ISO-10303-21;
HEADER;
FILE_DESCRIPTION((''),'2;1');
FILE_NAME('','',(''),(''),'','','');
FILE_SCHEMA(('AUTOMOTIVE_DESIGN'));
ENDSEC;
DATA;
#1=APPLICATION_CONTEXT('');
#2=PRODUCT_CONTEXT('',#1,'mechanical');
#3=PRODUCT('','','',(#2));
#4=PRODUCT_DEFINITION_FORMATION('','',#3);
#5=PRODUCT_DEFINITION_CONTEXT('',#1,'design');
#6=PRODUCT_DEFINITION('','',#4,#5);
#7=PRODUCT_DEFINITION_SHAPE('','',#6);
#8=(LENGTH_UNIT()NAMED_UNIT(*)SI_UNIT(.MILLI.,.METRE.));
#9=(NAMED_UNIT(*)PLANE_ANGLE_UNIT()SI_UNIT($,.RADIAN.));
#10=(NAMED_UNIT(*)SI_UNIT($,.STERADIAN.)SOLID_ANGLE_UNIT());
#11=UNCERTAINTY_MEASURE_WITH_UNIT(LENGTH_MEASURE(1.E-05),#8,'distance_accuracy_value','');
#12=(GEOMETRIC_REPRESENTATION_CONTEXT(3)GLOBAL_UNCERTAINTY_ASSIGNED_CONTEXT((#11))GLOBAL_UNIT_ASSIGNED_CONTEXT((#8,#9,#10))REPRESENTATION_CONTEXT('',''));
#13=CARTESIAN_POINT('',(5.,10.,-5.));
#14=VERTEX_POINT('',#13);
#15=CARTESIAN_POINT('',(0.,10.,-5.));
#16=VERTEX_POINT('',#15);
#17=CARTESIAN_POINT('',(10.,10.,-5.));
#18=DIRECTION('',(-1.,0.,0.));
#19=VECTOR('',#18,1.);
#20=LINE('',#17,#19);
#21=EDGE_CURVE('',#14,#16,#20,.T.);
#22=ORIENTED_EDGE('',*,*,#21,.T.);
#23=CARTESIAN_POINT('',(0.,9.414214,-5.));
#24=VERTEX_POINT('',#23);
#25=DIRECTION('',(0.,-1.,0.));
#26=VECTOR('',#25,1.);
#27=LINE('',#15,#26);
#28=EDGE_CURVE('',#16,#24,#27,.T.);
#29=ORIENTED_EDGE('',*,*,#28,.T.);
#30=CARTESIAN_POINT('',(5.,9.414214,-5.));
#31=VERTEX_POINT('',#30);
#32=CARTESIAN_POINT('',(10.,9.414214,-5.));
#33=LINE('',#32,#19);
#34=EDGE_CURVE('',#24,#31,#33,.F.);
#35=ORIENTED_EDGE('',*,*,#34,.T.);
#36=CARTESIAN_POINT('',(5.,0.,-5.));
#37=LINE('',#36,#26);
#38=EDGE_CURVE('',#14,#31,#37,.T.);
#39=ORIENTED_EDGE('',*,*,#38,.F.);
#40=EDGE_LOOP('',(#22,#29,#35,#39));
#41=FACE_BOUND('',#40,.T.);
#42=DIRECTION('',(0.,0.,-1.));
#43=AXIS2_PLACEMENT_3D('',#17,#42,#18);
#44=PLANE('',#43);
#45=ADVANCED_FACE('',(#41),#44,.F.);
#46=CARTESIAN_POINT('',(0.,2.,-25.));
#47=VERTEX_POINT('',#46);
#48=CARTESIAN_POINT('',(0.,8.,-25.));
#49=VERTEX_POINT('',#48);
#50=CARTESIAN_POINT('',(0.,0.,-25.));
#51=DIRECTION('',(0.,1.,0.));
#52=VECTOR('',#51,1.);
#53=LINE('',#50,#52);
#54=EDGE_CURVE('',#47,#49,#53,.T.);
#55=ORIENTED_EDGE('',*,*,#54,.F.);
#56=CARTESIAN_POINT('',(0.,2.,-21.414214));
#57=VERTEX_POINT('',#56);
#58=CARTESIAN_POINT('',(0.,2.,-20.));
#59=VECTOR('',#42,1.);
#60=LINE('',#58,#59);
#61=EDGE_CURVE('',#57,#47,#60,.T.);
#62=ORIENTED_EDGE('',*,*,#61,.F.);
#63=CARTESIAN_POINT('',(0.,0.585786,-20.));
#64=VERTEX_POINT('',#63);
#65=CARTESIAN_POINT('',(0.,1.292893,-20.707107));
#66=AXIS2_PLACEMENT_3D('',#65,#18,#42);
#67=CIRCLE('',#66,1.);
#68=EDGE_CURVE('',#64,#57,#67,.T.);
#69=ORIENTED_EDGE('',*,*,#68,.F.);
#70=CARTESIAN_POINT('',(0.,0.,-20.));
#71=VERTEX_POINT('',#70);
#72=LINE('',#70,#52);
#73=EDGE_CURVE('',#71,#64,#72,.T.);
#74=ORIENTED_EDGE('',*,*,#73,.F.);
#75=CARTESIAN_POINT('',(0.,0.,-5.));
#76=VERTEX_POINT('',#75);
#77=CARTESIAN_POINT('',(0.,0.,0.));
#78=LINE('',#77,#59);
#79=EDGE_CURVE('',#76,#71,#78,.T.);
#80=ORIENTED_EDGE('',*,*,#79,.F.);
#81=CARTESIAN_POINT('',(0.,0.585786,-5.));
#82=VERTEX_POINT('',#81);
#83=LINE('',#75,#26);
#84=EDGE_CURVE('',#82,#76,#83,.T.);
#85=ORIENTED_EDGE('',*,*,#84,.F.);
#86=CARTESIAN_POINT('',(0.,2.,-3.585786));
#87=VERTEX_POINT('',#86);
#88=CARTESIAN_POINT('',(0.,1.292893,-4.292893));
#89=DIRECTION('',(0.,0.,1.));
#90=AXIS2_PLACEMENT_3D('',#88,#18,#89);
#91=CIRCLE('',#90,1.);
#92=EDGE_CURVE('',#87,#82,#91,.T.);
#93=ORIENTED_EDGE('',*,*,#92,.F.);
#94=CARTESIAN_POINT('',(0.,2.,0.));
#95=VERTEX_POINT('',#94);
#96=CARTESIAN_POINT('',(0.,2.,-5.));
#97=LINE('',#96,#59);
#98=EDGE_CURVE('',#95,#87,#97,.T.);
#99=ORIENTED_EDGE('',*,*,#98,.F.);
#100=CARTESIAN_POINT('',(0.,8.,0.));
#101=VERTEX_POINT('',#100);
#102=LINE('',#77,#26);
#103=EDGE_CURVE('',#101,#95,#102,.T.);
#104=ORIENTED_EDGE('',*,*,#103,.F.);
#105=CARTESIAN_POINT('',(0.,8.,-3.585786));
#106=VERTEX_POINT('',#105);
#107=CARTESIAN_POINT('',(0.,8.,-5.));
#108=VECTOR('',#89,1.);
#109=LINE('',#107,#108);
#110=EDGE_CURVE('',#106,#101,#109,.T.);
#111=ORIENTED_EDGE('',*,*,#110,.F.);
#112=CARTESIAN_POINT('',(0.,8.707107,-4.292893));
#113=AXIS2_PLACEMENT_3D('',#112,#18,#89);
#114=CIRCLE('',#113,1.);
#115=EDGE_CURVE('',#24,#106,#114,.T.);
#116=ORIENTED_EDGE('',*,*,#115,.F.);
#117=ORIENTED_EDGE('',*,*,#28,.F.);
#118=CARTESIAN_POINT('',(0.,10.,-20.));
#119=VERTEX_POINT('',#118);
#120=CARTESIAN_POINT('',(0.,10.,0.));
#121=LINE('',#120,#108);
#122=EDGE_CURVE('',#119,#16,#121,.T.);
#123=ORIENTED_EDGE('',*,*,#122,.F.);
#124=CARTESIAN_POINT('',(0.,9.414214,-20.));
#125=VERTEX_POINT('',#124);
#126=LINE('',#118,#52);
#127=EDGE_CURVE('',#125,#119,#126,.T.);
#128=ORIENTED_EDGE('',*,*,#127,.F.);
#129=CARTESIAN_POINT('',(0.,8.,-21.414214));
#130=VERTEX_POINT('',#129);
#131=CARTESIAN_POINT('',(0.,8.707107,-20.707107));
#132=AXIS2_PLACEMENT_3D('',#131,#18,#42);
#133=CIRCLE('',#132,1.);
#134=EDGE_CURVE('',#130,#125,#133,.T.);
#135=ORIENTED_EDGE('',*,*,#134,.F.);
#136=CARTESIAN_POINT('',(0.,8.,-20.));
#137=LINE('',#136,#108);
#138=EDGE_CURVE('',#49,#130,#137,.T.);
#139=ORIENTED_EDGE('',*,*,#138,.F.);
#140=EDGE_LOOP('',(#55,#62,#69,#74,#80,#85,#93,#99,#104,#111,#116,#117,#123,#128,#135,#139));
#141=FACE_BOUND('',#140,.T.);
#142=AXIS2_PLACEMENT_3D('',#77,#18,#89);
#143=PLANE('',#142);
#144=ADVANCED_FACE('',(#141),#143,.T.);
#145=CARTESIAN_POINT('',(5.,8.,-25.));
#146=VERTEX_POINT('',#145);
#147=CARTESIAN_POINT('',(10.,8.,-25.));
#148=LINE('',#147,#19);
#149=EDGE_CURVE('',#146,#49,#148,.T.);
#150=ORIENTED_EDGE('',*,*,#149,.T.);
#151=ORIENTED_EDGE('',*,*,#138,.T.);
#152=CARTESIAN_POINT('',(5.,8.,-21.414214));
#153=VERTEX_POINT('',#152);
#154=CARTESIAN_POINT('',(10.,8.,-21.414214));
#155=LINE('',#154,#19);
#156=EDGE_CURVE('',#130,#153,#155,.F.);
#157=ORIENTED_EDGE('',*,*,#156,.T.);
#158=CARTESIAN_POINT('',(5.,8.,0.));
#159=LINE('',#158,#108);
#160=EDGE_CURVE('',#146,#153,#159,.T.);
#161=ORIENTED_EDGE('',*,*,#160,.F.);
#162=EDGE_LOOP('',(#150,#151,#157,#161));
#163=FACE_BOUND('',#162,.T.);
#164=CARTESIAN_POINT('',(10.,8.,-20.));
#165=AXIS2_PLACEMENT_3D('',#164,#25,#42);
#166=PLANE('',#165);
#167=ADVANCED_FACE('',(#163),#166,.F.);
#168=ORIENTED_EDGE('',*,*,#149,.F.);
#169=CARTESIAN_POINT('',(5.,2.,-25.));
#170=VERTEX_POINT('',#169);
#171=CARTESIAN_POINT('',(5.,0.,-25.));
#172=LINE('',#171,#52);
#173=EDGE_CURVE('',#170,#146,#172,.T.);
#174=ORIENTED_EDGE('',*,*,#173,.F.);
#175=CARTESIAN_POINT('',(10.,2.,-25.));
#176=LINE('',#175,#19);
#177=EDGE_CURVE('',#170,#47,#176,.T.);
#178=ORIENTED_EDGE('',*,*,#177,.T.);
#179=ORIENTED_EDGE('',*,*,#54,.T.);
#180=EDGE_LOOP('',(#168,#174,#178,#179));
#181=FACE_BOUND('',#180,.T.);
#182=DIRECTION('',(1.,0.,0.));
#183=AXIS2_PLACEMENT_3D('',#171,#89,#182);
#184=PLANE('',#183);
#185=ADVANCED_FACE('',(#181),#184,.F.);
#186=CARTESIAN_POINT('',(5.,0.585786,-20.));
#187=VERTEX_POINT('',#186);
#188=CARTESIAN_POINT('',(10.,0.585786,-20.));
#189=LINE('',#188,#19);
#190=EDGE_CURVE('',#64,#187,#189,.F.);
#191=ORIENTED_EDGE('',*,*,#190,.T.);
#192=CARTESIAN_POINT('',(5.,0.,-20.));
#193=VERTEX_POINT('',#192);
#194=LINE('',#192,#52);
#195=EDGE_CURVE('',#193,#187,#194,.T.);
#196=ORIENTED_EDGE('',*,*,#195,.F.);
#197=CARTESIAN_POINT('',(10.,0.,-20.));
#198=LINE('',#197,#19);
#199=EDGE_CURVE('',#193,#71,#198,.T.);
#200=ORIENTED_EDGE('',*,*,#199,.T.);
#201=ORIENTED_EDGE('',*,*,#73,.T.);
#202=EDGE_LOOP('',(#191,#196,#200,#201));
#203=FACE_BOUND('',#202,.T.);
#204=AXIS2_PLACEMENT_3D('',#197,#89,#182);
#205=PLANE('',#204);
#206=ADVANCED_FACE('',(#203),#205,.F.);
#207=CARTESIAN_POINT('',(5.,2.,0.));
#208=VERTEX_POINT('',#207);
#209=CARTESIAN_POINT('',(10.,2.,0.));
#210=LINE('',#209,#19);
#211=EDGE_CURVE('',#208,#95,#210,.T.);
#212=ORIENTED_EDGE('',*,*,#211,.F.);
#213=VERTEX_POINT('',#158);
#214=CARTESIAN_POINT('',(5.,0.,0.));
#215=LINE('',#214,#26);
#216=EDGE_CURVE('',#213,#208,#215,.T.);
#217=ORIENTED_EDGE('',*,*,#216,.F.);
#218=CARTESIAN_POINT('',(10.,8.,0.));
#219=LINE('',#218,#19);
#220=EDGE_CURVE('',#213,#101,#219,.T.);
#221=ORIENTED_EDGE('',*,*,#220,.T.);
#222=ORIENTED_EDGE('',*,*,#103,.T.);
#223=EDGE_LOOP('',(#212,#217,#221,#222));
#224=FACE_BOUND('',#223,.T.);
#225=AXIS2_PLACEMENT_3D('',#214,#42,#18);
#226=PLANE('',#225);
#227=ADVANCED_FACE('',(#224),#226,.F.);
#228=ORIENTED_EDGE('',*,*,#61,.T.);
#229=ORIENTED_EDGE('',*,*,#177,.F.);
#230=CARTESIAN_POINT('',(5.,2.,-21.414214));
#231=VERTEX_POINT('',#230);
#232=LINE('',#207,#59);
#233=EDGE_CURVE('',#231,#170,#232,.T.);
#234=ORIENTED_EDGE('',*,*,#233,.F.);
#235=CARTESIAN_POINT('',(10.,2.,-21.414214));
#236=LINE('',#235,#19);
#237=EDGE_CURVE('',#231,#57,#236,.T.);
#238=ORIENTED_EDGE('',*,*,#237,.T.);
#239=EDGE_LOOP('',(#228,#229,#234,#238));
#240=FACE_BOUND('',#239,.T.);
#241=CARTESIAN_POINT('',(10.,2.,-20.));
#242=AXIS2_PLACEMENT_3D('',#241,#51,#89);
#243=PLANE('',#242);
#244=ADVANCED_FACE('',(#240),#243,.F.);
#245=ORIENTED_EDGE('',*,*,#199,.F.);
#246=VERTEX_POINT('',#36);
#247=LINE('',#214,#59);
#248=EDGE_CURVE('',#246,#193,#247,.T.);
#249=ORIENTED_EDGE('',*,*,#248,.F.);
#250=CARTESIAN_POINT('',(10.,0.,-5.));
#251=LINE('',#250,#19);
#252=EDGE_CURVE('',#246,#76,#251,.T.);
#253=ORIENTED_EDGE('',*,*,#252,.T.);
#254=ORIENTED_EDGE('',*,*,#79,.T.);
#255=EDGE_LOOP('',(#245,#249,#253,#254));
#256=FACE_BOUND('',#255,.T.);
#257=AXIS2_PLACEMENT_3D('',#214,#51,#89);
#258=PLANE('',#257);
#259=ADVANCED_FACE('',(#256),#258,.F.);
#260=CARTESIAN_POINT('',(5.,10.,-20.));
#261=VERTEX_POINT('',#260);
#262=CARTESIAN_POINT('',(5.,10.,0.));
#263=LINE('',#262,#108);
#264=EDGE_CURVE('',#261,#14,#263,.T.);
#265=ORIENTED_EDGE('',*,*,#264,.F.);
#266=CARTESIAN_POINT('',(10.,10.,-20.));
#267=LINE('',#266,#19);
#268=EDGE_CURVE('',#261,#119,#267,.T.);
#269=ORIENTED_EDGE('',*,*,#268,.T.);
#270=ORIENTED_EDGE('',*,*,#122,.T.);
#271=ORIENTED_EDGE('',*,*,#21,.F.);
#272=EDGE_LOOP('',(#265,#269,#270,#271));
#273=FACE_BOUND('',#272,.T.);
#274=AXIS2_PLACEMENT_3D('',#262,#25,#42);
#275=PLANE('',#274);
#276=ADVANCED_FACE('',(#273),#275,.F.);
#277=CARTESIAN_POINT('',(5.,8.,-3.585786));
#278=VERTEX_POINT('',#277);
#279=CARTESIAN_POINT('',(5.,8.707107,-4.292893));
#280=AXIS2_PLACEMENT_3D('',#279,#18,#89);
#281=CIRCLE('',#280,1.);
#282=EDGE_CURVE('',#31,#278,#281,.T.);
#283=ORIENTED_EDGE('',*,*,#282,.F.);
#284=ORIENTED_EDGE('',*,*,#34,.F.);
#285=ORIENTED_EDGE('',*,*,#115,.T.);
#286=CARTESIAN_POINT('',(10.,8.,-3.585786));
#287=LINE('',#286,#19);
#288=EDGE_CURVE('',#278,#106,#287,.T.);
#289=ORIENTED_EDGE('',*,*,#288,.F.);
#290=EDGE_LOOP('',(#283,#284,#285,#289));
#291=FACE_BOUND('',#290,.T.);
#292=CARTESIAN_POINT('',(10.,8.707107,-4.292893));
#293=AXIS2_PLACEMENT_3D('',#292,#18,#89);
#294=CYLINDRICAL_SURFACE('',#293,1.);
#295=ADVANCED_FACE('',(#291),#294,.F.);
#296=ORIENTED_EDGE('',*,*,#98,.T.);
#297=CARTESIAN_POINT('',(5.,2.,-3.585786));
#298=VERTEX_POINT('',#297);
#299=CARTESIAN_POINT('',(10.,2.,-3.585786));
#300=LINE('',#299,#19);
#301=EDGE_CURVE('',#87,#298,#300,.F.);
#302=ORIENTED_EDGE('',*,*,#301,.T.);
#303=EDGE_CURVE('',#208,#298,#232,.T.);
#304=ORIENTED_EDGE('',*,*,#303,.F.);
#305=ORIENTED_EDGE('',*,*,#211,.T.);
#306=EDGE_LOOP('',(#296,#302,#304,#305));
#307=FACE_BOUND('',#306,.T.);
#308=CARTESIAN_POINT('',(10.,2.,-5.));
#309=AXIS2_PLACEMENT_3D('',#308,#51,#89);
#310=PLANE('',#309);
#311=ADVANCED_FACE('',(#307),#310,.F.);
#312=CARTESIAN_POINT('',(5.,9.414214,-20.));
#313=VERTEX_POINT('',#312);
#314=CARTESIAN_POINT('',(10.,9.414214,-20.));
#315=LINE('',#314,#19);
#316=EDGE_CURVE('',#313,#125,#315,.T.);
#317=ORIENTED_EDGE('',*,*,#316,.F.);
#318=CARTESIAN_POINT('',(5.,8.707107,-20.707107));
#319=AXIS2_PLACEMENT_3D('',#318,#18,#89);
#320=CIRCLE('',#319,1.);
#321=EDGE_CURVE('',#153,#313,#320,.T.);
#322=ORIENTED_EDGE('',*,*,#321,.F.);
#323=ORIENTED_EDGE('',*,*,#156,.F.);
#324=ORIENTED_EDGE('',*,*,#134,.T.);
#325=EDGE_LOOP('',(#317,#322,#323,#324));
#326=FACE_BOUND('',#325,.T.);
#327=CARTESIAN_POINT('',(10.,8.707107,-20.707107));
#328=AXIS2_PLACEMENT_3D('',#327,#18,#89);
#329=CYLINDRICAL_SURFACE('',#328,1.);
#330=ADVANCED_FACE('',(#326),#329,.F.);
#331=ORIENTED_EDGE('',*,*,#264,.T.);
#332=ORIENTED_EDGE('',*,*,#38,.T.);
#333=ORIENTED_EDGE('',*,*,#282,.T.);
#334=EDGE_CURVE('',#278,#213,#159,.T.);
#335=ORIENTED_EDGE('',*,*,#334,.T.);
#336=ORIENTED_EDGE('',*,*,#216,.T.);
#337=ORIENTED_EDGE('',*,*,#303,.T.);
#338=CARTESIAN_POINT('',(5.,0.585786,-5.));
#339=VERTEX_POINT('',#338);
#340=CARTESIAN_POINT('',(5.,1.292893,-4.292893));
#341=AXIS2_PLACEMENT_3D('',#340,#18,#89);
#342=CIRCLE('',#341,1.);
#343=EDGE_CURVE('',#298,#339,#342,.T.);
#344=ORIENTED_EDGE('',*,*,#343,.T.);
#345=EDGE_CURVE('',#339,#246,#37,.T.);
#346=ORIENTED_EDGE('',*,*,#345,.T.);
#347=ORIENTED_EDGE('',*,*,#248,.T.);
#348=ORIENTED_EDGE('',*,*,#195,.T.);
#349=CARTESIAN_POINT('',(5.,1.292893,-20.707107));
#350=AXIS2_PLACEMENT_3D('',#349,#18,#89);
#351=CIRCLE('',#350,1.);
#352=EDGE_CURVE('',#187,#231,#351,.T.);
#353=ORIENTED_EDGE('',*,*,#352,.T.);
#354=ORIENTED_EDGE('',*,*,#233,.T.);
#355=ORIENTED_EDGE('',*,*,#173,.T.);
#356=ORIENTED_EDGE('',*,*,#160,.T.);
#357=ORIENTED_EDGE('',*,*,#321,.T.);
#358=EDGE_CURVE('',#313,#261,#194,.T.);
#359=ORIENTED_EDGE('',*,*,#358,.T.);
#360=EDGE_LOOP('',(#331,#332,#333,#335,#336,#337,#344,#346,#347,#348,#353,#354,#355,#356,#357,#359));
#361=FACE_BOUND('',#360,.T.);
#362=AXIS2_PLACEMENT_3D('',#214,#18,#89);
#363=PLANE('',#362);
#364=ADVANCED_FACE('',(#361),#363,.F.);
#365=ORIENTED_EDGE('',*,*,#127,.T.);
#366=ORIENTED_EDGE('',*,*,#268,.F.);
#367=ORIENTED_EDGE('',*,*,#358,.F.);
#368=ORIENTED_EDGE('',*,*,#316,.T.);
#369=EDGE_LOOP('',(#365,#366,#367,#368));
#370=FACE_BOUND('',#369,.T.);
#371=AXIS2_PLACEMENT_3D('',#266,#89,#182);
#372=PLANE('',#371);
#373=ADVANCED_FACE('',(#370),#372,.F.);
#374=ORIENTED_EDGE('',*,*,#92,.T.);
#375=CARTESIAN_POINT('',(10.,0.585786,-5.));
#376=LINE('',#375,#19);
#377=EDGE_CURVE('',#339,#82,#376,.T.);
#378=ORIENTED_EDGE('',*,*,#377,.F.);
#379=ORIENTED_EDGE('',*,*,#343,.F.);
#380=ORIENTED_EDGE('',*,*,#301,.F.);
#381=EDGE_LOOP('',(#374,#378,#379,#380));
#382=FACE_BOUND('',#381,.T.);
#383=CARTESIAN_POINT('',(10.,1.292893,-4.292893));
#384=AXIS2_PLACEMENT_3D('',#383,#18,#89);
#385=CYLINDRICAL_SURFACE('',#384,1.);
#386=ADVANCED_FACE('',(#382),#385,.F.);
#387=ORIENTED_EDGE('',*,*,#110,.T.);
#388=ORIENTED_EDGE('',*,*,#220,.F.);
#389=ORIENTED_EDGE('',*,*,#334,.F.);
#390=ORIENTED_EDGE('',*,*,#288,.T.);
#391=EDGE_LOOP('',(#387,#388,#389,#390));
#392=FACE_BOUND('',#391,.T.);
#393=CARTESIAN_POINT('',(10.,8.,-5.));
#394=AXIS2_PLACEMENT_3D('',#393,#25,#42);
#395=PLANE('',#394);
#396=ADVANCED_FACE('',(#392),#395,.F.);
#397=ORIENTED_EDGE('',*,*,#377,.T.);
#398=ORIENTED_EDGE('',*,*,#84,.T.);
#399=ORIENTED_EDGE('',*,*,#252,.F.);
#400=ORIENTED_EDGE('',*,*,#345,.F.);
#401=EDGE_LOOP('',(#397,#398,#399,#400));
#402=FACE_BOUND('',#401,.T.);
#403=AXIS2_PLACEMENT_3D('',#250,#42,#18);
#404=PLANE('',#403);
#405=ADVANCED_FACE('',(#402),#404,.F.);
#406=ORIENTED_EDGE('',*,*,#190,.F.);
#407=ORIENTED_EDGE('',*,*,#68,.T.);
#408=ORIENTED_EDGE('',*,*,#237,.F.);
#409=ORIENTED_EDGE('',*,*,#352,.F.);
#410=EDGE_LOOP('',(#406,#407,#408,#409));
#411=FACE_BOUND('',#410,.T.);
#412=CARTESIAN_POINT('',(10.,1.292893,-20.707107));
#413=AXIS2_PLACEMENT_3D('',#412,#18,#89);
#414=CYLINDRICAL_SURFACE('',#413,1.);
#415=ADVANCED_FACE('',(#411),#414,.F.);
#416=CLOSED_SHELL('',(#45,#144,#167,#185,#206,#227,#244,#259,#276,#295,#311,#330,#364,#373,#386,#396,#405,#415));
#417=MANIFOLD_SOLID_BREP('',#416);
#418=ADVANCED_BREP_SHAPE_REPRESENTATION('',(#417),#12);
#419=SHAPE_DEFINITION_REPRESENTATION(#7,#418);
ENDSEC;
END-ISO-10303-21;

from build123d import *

# Parameters (mm, degrees)
SKETCH_1_W          = 25
SKETCH_1_H          = 10
EXTRUDE_1_DEPTH     = 5
SKETCH_2_W          = 5
SKETCH_2_H          = 2
CUT_EXTRUDE_1_DEPTH = 10
SKETCH_4_R          = 1
CUT_EXTRUDE_2_DEPTH = 10


with BuildPart() as part:
    # 스케치1 → 보스-돌출1 (new body)
    with BuildSketch(Plane(origin=(0, 0, 0), x_dir=(0, 0, -1), z_dir=(1, 0, 0))):
        with Locations((12.5, 5)):
            Rectangle(SKETCH_1_W, SKETCH_1_H)
    extrude(amount=EXTRUDE_1_DEPTH)

    # 스케치2 → 컷-돌출1 (cut)
    with BuildSketch(Plane.ZY):
        with Locations((-2.5, 1)):
            Rectangle(SKETCH_2_W, SKETCH_2_H)
        with Locations((-2.5, 9)):
            Rectangle(SKETCH_2_W, SKETCH_2_H)
        with Locations((-22.5, 9)):
            Rectangle(SKETCH_2_W, SKETCH_2_H)
        with Locations((-22.5, 1)):
            Rectangle(SKETCH_2_W, SKETCH_2_H)
    extrude(amount=-CUT_EXTRUDE_1_DEPTH, mode=Mode.SUBTRACT)

    # 스케치4 → 컷-돌출2 (cut)
    with BuildSketch(Plane.ZY):
        with Locations((-4.292893219, 8.707106781)):
            Circle(SKETCH_4_R)
        with Locations((-4.292893219, 1.292893219)):
            Circle(SKETCH_4_R)
        with Locations((-20.707106781, 1.292893219)):
            Circle(SKETCH_4_R)
        with Locations((-20.707106781, 8.707106781)):
            Circle(SKETCH_4_R)
    extrude(amount=-CUT_EXTRUDE_2_DEPTH, mode=Mode.SUBTRACT)


solid = part.part
